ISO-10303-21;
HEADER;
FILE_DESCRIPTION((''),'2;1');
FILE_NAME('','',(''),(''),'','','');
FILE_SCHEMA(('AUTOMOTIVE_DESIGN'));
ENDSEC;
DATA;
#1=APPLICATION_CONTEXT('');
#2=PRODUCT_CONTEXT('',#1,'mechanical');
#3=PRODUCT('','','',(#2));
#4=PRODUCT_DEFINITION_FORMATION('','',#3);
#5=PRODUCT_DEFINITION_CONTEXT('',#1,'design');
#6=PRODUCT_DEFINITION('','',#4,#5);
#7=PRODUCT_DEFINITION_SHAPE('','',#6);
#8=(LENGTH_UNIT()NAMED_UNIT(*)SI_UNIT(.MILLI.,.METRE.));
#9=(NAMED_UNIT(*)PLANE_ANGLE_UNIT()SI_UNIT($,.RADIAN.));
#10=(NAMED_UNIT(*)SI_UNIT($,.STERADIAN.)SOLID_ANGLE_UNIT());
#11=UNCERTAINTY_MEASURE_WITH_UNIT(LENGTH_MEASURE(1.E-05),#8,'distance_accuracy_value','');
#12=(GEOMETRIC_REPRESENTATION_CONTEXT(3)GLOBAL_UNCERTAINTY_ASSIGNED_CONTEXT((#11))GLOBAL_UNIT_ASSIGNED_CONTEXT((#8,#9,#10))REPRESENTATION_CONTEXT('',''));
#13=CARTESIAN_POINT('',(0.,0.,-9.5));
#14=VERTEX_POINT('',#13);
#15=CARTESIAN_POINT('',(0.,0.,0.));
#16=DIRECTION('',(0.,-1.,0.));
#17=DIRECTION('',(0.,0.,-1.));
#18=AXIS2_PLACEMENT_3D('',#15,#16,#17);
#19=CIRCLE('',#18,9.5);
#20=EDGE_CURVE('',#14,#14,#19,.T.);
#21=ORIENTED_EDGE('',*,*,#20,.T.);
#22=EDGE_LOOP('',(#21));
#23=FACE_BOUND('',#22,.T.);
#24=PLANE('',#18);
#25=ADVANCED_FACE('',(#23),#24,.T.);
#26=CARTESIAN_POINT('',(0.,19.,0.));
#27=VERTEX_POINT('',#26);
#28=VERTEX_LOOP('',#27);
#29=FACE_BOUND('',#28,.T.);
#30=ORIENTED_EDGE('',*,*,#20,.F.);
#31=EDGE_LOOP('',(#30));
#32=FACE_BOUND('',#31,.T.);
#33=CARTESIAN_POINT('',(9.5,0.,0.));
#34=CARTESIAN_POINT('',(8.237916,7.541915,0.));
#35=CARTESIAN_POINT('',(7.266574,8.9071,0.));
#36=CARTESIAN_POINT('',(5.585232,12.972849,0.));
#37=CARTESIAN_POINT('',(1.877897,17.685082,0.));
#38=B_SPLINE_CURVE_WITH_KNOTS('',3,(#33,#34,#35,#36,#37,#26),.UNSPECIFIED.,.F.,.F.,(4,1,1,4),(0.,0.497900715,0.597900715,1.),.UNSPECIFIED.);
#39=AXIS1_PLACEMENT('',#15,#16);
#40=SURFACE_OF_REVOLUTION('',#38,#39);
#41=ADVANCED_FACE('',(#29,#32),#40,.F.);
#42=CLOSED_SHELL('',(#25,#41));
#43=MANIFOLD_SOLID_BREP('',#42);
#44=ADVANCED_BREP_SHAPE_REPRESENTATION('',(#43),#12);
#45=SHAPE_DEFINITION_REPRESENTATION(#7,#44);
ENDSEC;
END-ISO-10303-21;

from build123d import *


with BuildPart() as part:
    # 스케치1 → 회전1 (revolve)
    with BuildSketch(Plane.XY):
        with BuildLine():
            Line((0, 0), (0, 19))
            add(Edge.make_bspline(
                [(0, 19), (1.877897337, 17.685082128), (5.585232017, 12.972849138), (7.266574424, 8.907099573), (8.237916209, 7.541915343), (9.5, 0)],
                knots=[0, 0, 0, 0, 0.402099285, 0.502099285, 1, 1, 1, 1], degree=3))
            Line((9.5, 0), (0, 0))
        make_face()
    revolve(axis=Axis((0, 0, 0), (0, 1, 0)))


solid = part.part
